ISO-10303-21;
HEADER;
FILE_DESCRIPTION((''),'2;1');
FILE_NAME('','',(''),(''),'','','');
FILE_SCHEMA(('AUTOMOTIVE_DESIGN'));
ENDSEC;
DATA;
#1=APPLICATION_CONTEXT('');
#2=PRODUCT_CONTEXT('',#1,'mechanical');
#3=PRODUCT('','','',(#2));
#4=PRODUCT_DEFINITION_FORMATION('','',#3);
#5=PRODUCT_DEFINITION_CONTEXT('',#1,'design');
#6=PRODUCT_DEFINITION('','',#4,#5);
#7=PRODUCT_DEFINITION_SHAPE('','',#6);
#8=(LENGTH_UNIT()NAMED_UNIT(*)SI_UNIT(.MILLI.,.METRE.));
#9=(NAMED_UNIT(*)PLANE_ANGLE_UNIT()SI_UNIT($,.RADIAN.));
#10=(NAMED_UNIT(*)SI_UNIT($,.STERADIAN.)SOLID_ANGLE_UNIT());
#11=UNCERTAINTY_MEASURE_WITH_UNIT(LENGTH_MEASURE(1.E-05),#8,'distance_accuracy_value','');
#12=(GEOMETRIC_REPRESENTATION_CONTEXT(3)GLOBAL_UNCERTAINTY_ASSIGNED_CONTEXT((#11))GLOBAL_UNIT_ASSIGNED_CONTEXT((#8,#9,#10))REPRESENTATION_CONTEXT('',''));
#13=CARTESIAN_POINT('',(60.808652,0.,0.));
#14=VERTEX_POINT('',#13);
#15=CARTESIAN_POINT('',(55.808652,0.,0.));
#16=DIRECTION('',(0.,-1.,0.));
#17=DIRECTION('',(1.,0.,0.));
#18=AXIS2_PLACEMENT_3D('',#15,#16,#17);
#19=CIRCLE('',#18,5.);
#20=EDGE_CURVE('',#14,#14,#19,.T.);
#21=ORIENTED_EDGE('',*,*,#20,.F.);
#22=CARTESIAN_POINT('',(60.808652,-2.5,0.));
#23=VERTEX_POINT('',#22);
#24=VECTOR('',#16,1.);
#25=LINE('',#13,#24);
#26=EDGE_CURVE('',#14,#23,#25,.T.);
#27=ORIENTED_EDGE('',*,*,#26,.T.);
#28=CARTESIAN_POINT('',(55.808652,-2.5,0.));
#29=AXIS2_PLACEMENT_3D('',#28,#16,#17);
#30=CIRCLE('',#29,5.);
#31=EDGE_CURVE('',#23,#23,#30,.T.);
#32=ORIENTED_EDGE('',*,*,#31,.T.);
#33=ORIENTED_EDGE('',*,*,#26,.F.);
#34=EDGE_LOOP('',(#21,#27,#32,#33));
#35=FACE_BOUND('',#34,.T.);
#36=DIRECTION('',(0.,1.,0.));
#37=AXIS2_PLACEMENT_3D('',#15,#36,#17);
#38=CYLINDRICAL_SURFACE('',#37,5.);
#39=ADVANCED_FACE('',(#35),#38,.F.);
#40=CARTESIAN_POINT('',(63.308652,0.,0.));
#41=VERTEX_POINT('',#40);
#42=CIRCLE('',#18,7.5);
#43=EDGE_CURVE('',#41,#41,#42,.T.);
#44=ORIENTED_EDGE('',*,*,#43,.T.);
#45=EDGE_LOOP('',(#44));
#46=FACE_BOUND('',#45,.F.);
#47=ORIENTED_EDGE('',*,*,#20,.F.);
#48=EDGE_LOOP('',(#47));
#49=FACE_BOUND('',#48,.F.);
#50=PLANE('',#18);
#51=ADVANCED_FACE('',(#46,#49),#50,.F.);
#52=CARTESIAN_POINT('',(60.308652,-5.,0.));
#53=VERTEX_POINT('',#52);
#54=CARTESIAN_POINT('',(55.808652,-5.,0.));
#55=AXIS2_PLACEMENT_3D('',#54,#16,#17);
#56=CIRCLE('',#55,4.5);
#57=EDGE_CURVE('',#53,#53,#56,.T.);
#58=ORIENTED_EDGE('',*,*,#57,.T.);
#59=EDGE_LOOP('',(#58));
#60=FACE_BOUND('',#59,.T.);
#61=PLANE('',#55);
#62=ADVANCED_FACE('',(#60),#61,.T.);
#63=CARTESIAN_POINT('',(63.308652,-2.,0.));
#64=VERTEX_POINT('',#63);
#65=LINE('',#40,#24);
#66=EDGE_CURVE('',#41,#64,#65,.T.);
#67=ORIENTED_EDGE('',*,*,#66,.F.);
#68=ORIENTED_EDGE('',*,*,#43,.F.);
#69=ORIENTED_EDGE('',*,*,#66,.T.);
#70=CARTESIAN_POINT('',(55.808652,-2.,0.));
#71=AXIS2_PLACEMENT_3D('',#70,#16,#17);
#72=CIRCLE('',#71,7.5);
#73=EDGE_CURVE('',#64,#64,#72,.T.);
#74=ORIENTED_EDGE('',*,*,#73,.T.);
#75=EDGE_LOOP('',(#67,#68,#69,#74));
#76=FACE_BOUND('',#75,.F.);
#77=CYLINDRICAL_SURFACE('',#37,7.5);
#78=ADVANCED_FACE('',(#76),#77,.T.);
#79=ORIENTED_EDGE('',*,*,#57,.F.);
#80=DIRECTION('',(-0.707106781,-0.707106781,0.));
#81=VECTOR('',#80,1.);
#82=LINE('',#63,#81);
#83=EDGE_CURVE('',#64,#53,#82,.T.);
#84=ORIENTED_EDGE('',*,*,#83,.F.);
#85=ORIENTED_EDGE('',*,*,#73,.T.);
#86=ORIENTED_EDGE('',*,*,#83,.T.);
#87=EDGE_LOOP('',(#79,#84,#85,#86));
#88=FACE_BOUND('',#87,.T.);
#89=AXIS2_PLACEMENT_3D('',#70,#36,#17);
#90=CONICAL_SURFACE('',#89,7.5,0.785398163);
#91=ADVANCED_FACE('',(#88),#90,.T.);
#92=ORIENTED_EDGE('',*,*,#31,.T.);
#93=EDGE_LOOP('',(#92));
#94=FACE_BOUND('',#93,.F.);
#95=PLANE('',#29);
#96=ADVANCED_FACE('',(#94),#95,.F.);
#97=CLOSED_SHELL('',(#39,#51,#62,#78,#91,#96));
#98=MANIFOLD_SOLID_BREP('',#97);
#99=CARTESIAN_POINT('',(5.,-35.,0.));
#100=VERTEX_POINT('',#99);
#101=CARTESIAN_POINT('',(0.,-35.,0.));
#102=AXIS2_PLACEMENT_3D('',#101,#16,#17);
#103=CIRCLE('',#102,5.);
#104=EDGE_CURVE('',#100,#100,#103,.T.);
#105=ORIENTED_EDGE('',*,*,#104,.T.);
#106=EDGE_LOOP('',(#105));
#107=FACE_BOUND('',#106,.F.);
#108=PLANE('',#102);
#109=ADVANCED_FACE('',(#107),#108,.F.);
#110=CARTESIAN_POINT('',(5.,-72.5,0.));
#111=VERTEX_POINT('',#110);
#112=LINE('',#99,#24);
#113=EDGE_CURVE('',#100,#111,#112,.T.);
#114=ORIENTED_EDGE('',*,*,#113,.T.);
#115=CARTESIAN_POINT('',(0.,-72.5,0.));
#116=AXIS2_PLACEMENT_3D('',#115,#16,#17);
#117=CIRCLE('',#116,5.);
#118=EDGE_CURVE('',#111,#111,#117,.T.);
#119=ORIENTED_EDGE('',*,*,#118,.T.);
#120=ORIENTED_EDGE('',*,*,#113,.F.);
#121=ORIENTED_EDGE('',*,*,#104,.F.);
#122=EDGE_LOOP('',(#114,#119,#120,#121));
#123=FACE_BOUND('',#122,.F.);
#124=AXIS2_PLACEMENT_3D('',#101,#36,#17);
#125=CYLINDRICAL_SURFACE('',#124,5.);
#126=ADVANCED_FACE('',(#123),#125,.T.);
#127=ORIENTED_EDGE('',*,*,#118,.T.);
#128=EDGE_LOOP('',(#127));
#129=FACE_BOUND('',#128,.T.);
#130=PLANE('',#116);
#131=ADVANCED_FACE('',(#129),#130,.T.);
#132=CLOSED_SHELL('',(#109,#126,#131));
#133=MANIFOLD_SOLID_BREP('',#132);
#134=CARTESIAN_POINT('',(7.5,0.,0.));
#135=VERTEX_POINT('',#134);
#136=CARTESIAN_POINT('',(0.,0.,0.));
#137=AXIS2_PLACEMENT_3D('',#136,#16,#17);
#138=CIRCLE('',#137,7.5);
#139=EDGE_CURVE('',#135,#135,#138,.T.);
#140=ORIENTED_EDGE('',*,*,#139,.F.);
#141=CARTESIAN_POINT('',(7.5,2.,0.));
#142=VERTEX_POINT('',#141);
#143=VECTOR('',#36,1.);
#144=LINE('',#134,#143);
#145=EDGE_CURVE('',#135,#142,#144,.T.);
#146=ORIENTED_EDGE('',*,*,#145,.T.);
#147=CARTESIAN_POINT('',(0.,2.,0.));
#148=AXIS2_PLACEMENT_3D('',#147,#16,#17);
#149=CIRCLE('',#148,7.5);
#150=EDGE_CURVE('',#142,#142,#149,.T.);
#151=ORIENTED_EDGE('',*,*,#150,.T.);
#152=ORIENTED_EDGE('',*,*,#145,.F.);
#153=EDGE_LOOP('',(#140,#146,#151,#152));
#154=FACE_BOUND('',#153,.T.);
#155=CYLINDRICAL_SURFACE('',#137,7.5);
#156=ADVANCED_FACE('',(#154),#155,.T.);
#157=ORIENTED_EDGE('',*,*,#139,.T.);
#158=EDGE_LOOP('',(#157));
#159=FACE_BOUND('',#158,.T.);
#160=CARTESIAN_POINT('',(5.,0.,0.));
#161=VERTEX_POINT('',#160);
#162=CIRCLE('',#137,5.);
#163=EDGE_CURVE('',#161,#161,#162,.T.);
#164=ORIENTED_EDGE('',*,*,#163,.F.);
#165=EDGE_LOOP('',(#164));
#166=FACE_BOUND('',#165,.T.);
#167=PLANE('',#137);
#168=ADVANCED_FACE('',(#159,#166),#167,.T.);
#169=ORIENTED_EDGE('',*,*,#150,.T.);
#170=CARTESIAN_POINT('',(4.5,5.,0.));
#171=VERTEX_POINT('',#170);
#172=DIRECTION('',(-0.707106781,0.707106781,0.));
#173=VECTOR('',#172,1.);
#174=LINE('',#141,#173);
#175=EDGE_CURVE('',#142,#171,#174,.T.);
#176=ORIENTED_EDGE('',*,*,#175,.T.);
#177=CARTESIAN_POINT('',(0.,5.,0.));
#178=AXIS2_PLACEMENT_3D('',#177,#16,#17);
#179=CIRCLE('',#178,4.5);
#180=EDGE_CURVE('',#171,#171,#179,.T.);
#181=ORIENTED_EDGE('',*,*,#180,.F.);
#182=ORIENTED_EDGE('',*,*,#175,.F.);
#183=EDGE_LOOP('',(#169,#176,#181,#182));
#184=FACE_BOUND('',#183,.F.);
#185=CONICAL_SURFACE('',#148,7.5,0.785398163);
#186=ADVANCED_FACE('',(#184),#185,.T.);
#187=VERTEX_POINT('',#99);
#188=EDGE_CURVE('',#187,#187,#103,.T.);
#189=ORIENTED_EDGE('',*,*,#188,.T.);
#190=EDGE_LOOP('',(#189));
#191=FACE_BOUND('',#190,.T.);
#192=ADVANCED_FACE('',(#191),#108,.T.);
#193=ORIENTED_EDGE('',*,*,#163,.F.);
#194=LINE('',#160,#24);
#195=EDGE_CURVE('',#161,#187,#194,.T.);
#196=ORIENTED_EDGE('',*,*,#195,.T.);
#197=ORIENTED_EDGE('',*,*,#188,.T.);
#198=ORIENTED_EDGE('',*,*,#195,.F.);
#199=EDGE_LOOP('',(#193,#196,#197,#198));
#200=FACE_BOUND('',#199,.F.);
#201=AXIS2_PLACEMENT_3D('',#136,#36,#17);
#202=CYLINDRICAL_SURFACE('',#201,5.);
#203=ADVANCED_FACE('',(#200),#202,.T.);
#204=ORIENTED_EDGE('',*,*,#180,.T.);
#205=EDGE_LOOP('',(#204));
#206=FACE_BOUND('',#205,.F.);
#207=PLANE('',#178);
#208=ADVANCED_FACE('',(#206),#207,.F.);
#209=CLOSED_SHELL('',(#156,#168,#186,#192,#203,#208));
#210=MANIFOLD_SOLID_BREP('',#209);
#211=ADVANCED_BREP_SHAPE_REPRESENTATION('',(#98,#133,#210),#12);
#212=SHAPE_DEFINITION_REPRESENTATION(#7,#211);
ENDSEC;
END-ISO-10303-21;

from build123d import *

# Parameters (mm, degrees)
F0_R     = 5
F1_DEPTH = 35
F0_R_2   = 7.5
F2_DEPTH = 5
F3_DEPTH = 5
F4_DEPTH = 2.5
F5_R     = 5
F6_DEPTH = 37.5
F7_SIZE  = 3
F8_SIZE  = 3


with BuildPart() as f1:
    # F0 (on Front) → F1 (new body)
    with BuildSketch(Plane.XZ):
        Circle(F0_R)
    extrude(amount=F1_DEPTH)

    # F0 (on Front) → F2 (join)
    with BuildSketch(Plane.XZ):
        Circle(F0_R_2)
        Circle(F0_R, mode=Mode.SUBTRACT)
        Circle(F0_R)
    extrude(amount=-F2_DEPTH)

    # F7
    f7_edges = [f1.edges().sort_by_distance(p)[0] for p in [
        (-7.5, 5, 0),
    ]]
    chamfer(f7_edges, length=F7_SIZE)


with BuildPart() as f3:
    # F0 (on Front) → F3 (new body)
    with BuildSketch(Plane.XZ):
        with Locations((55.808652, 0)):
            Circle(F0_R_2)
        with Locations((55.808652, 0)):
            Circle(F0_R, mode=Mode.SUBTRACT)
        with Locations((55.808652, 0)):
            Circle(F0_R)
    extrude(amount=F3_DEPTH)

    # F0 (on Front) → F4 (cut)
    with BuildSketch(Plane.XZ):
        with Locations((55.808652, 0)):
            Circle(F0_R)
    extrude(amount=F4_DEPTH, mode=Mode.SUBTRACT)

    # F8
    f8_edges = [f3.edges().sort_by_distance(p)[0] for p in [
        (48.308652, -5, 0),
    ]]
    chamfer(f8_edges, length=F8_SIZE)


with BuildPart() as f6:
    # F5 (on face) → F6 (new body)
    with BuildSketch(Plane.XZ.offset(35)):
        Circle(F5_R)
    extrude(amount=F6_DEPTH)


solid = Compound([f1.part, f3.part, f6.part])
